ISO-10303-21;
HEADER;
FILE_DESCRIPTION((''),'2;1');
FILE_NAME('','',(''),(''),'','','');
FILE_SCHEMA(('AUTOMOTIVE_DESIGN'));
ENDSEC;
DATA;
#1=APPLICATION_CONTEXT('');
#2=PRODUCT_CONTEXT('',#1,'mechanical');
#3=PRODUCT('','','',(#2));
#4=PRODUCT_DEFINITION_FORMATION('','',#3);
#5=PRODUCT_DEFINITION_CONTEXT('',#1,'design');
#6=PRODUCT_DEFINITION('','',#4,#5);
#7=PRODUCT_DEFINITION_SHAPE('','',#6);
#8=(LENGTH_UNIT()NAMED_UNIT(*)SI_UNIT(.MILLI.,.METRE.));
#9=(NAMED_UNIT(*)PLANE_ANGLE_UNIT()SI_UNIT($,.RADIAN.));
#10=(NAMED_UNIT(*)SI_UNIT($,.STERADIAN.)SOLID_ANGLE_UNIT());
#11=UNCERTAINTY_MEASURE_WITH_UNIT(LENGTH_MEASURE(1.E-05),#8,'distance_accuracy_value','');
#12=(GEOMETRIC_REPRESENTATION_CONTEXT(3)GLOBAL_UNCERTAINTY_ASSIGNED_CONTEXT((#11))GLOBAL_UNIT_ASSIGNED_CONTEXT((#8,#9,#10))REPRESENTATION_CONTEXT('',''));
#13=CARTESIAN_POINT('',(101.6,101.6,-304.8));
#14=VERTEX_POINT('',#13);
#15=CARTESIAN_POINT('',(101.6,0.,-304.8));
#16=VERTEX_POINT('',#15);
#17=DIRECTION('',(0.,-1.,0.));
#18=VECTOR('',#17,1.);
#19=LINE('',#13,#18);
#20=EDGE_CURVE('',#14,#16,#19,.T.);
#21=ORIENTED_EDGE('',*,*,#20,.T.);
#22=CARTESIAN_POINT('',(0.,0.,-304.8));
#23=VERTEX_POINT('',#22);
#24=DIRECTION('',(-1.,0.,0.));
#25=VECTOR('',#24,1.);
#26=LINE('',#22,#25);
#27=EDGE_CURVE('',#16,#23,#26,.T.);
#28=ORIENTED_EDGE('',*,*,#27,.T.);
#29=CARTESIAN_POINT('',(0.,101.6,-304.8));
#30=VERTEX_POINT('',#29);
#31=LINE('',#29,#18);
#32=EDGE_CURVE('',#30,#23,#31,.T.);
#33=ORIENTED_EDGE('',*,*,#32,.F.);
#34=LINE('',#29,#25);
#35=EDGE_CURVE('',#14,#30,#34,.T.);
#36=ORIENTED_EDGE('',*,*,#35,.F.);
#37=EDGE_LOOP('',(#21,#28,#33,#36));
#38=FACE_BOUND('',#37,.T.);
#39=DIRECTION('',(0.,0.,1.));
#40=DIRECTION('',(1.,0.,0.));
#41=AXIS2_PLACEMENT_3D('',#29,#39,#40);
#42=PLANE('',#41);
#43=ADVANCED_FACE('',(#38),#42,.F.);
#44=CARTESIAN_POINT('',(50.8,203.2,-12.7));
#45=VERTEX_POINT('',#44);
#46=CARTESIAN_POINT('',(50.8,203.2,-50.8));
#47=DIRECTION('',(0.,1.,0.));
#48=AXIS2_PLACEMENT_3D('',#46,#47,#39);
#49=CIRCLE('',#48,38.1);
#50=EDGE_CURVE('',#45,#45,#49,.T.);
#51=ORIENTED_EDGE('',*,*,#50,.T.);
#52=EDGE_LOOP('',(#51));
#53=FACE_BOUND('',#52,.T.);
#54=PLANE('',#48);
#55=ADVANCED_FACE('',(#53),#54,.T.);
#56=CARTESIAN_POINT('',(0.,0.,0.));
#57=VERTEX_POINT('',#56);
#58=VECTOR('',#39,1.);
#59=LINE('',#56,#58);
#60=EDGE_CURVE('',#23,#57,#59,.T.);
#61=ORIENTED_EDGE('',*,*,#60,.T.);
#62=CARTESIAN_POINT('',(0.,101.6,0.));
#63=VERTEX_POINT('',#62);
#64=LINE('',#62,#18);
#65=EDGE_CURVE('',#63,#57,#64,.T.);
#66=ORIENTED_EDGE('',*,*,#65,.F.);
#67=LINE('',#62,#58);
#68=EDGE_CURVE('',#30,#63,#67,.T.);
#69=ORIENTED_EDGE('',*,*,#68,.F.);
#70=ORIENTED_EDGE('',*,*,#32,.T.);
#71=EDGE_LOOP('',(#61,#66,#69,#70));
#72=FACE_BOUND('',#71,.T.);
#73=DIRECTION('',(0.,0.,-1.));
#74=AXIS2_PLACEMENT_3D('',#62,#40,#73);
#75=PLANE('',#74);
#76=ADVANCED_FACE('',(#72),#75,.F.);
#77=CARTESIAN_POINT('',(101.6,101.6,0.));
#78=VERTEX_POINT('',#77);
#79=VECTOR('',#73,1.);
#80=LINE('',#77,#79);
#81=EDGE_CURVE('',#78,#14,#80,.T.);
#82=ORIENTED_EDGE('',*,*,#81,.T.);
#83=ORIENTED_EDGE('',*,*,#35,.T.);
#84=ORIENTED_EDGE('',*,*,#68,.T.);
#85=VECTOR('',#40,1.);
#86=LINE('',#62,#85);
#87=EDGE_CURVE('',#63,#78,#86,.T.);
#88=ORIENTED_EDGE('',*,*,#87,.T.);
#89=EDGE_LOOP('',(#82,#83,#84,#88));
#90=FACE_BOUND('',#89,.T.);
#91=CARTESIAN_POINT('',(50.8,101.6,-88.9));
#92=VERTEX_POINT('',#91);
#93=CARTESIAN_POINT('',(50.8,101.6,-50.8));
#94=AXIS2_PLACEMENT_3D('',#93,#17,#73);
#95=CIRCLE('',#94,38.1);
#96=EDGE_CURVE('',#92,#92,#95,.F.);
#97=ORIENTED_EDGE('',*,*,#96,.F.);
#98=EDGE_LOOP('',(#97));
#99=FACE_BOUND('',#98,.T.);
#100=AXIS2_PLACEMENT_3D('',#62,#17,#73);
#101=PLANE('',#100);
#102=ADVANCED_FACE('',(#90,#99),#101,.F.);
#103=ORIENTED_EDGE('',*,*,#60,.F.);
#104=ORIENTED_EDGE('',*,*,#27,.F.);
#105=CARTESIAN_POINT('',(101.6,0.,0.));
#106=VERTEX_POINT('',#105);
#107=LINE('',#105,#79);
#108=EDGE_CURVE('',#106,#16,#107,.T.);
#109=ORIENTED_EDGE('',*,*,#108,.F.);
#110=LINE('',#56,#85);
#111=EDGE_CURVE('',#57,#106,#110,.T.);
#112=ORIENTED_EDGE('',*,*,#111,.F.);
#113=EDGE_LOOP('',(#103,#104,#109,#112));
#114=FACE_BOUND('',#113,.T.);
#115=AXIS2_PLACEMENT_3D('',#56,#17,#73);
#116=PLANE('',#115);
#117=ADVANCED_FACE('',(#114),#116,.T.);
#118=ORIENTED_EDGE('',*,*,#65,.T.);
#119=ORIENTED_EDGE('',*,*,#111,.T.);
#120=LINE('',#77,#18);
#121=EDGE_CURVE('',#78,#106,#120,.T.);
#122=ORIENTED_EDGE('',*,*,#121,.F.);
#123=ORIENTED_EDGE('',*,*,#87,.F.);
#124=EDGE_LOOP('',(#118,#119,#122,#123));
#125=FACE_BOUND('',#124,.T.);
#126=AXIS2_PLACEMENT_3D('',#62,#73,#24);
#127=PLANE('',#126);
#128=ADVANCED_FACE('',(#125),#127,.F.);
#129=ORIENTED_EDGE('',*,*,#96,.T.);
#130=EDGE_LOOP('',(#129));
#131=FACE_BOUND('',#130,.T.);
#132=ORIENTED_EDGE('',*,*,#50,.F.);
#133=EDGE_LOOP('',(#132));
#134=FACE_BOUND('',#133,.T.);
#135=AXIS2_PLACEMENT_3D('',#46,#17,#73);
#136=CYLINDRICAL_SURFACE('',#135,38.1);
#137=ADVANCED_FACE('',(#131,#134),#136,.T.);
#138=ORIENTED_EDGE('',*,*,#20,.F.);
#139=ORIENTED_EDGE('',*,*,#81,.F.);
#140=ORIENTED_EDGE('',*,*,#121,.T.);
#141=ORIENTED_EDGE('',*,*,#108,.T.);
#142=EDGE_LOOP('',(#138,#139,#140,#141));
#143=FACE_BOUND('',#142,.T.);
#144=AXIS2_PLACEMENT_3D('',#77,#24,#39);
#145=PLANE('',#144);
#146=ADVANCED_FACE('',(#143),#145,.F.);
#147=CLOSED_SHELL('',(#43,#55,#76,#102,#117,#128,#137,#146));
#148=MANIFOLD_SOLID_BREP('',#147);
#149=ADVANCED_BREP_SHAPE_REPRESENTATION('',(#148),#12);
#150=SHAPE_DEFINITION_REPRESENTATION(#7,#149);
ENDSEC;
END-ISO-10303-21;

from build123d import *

# Parameters (mm, degrees)
SKETCH1_W           = 101.6
SKETCH1_H           = 304.8
BOSS_EXTRUDE1_DEPTH = 101.6
SKETCH2_R           = 38.1
BOSS_EXTRUDE2_DEPTH = 101.6


with BuildPart() as part:
    # Sketch1 → Boss-Extrude1 (new body)
    with BuildSketch(Plane(origin=(0, 0, 0), x_dir=(1, 0, 0), z_dir=(0, 1, 0))):
        with Locations((50.8, 152.4)):
            Rectangle(SKETCH1_W, SKETCH1_H)
    extrude(amount=BOSS_EXTRUDE1_DEPTH)

    # Sketch2 → Boss-Extrude2 (add)
    with BuildSketch(Plane(origin=(0, 101.6, 0), x_dir=(1, 0, 0), z_dir=(0, 1, 0))):
        with Locations(Location((50.8, 50.8, 0), (0, 0, 90))):
            Circle(SKETCH2_R)
    extrude(amount=BOSS_EXTRUDE2_DEPTH)


solid = part.part
